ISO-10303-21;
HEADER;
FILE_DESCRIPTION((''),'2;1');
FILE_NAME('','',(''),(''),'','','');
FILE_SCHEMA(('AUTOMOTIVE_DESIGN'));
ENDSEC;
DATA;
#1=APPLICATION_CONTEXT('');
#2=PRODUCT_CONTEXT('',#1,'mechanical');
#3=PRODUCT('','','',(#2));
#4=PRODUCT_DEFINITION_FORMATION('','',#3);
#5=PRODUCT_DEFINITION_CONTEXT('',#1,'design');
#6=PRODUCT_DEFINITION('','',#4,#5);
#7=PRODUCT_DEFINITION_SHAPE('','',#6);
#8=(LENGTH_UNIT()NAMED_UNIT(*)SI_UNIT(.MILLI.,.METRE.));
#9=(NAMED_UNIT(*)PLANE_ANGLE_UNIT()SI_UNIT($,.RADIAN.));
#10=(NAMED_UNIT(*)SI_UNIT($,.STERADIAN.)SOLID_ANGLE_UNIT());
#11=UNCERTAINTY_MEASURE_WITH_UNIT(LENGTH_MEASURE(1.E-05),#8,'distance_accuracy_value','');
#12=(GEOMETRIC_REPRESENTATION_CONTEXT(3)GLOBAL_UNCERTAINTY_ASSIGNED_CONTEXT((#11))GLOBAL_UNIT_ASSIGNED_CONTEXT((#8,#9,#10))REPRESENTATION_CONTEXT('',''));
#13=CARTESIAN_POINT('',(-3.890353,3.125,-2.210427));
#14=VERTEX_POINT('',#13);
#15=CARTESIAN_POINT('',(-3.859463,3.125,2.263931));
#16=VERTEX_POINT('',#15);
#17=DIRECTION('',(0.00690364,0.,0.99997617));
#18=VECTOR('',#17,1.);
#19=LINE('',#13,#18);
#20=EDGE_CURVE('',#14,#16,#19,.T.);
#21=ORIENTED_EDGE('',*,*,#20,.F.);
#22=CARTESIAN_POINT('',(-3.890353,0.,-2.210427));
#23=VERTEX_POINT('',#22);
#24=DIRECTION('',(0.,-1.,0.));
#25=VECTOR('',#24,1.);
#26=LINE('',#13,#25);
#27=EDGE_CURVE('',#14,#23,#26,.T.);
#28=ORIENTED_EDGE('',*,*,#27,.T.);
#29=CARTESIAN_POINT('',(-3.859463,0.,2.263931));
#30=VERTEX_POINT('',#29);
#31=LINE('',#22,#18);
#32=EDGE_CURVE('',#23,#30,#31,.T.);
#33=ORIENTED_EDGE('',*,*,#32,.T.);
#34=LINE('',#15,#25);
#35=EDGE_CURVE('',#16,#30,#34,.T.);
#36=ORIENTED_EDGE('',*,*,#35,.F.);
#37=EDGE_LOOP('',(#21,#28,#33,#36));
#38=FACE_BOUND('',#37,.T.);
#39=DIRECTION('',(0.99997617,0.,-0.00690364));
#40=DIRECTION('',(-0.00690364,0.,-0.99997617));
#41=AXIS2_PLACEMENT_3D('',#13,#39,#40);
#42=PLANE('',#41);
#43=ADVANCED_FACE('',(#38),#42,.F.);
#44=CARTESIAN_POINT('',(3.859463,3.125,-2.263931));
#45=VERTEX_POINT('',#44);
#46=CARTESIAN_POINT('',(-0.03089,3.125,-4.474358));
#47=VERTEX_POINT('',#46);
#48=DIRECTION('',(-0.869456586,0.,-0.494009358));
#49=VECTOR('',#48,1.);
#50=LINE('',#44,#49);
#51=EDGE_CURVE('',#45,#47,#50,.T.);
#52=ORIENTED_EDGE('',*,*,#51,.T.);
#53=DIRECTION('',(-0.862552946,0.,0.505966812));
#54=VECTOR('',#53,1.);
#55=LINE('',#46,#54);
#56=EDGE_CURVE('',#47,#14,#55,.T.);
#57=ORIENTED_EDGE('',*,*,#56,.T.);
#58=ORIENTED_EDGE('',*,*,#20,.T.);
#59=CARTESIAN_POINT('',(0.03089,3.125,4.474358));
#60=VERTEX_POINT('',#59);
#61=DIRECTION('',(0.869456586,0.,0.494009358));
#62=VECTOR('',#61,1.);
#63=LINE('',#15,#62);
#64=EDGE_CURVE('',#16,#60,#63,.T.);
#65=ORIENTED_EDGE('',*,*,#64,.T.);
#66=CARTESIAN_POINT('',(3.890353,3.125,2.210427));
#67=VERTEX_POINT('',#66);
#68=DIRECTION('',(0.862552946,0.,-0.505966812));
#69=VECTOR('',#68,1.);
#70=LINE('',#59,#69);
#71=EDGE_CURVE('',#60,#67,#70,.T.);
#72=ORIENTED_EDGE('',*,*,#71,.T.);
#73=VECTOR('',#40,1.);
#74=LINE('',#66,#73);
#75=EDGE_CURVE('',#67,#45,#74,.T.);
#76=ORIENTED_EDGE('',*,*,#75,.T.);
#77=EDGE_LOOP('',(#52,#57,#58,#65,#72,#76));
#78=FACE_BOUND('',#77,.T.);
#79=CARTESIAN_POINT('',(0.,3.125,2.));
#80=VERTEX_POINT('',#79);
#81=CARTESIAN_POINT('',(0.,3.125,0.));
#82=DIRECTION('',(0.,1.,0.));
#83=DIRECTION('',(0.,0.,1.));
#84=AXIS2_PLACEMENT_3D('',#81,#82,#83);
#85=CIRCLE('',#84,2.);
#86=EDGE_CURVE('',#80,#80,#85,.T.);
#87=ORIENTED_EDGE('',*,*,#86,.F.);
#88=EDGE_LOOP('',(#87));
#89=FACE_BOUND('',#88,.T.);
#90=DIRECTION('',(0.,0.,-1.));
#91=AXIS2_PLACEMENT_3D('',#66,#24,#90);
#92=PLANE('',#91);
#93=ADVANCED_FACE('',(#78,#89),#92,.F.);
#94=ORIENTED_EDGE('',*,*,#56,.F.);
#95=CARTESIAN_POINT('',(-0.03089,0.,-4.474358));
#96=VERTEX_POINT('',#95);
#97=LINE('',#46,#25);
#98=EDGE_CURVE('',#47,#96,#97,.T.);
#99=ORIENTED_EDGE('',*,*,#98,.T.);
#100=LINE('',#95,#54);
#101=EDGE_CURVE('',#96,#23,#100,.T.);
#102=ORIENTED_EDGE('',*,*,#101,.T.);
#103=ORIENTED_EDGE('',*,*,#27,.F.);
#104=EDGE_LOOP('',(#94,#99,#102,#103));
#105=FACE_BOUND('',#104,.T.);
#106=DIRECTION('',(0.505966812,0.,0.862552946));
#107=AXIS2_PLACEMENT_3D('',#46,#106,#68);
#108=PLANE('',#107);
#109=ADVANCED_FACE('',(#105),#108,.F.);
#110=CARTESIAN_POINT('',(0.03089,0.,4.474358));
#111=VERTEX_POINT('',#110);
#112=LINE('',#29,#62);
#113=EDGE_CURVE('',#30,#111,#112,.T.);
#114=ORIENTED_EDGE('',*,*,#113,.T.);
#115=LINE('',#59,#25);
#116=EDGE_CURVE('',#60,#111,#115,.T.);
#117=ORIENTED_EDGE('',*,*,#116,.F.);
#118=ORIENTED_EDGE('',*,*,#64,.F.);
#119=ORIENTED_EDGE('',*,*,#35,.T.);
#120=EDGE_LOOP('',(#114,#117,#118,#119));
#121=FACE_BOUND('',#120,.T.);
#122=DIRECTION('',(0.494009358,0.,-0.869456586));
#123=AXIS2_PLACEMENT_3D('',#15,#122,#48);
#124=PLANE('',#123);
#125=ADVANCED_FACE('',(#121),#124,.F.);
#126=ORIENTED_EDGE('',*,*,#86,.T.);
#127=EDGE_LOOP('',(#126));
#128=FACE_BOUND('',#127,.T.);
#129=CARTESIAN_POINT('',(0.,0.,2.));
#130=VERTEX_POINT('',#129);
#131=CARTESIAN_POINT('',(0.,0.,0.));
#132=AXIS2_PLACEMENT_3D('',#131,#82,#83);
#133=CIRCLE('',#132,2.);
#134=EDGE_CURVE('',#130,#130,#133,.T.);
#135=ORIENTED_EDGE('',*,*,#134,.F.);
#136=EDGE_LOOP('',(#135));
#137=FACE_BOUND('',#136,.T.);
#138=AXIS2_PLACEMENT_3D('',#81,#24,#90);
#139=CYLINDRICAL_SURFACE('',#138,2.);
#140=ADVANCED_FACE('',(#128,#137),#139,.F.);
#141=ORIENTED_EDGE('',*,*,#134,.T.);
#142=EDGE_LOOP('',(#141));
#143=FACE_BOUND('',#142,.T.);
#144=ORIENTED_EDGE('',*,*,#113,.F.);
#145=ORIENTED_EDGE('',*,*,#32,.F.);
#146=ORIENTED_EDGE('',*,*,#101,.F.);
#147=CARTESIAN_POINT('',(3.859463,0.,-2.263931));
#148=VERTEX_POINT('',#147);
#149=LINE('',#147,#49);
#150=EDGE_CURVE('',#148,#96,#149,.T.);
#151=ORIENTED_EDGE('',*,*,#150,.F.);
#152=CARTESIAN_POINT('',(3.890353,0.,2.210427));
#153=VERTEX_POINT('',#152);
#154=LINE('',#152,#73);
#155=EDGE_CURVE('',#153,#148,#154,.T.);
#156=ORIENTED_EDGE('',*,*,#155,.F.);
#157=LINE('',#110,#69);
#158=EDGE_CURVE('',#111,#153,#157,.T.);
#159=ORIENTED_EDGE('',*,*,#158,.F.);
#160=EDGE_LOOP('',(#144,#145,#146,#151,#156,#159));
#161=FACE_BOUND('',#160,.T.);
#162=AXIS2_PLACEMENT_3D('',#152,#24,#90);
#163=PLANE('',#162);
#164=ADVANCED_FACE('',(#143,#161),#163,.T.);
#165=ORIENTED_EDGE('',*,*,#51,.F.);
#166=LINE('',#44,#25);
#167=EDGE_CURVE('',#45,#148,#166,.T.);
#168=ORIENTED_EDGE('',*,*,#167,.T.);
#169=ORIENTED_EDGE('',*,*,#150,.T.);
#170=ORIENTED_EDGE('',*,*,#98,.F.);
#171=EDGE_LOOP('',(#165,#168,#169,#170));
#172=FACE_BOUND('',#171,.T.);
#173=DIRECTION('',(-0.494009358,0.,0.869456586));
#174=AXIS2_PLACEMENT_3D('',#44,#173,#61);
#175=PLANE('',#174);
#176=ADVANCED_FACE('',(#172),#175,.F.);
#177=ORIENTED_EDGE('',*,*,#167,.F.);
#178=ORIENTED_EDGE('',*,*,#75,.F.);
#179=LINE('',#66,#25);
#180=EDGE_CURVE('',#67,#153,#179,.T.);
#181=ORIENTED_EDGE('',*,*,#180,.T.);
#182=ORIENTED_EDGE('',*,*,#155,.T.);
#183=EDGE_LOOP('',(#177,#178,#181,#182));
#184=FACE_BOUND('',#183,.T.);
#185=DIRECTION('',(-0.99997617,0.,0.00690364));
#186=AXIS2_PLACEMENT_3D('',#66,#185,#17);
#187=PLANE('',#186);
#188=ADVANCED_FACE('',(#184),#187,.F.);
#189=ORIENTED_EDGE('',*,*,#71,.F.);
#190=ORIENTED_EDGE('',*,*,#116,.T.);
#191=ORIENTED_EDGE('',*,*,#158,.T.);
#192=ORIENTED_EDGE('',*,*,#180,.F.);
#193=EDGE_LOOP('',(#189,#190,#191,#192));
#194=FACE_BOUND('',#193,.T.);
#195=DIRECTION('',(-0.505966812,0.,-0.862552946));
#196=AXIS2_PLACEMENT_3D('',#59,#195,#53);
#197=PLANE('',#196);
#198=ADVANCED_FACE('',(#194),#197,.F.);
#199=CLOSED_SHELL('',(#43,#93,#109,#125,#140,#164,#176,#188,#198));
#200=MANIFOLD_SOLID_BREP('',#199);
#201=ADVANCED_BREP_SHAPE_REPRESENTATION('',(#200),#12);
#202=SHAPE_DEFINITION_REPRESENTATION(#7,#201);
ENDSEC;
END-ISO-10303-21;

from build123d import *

# Parameters (mm, degrees)
SKETCH1_R      = 2
EXTRUDE1_DEPTH = 3.125


with BuildPart() as part:
    # Sketch1 → Extrude1 (new body)
    with BuildSketch(Plane(origin=(0, 0, 0), x_dir=(1, 0, 0), z_dir=(0, 1, 0))):
        Polygon((3.859462612, 2.263930582), (-0.030890091, 4.474357958), (-3.890352703, 2.210427376), (-3.859462612, -2.263930582), (0.030890091, -4.474357958), (3.890352703, -2.210427376), align=None)
        with Locations(Location((0, 0, 0), (0, 0, 270))):  # turned: the seam where the file's is
            Circle(SKETCH1_R, mode=Mode.SUBTRACT)
    extrude(amount=EXTRUDE1_DEPTH)


solid = part.part
